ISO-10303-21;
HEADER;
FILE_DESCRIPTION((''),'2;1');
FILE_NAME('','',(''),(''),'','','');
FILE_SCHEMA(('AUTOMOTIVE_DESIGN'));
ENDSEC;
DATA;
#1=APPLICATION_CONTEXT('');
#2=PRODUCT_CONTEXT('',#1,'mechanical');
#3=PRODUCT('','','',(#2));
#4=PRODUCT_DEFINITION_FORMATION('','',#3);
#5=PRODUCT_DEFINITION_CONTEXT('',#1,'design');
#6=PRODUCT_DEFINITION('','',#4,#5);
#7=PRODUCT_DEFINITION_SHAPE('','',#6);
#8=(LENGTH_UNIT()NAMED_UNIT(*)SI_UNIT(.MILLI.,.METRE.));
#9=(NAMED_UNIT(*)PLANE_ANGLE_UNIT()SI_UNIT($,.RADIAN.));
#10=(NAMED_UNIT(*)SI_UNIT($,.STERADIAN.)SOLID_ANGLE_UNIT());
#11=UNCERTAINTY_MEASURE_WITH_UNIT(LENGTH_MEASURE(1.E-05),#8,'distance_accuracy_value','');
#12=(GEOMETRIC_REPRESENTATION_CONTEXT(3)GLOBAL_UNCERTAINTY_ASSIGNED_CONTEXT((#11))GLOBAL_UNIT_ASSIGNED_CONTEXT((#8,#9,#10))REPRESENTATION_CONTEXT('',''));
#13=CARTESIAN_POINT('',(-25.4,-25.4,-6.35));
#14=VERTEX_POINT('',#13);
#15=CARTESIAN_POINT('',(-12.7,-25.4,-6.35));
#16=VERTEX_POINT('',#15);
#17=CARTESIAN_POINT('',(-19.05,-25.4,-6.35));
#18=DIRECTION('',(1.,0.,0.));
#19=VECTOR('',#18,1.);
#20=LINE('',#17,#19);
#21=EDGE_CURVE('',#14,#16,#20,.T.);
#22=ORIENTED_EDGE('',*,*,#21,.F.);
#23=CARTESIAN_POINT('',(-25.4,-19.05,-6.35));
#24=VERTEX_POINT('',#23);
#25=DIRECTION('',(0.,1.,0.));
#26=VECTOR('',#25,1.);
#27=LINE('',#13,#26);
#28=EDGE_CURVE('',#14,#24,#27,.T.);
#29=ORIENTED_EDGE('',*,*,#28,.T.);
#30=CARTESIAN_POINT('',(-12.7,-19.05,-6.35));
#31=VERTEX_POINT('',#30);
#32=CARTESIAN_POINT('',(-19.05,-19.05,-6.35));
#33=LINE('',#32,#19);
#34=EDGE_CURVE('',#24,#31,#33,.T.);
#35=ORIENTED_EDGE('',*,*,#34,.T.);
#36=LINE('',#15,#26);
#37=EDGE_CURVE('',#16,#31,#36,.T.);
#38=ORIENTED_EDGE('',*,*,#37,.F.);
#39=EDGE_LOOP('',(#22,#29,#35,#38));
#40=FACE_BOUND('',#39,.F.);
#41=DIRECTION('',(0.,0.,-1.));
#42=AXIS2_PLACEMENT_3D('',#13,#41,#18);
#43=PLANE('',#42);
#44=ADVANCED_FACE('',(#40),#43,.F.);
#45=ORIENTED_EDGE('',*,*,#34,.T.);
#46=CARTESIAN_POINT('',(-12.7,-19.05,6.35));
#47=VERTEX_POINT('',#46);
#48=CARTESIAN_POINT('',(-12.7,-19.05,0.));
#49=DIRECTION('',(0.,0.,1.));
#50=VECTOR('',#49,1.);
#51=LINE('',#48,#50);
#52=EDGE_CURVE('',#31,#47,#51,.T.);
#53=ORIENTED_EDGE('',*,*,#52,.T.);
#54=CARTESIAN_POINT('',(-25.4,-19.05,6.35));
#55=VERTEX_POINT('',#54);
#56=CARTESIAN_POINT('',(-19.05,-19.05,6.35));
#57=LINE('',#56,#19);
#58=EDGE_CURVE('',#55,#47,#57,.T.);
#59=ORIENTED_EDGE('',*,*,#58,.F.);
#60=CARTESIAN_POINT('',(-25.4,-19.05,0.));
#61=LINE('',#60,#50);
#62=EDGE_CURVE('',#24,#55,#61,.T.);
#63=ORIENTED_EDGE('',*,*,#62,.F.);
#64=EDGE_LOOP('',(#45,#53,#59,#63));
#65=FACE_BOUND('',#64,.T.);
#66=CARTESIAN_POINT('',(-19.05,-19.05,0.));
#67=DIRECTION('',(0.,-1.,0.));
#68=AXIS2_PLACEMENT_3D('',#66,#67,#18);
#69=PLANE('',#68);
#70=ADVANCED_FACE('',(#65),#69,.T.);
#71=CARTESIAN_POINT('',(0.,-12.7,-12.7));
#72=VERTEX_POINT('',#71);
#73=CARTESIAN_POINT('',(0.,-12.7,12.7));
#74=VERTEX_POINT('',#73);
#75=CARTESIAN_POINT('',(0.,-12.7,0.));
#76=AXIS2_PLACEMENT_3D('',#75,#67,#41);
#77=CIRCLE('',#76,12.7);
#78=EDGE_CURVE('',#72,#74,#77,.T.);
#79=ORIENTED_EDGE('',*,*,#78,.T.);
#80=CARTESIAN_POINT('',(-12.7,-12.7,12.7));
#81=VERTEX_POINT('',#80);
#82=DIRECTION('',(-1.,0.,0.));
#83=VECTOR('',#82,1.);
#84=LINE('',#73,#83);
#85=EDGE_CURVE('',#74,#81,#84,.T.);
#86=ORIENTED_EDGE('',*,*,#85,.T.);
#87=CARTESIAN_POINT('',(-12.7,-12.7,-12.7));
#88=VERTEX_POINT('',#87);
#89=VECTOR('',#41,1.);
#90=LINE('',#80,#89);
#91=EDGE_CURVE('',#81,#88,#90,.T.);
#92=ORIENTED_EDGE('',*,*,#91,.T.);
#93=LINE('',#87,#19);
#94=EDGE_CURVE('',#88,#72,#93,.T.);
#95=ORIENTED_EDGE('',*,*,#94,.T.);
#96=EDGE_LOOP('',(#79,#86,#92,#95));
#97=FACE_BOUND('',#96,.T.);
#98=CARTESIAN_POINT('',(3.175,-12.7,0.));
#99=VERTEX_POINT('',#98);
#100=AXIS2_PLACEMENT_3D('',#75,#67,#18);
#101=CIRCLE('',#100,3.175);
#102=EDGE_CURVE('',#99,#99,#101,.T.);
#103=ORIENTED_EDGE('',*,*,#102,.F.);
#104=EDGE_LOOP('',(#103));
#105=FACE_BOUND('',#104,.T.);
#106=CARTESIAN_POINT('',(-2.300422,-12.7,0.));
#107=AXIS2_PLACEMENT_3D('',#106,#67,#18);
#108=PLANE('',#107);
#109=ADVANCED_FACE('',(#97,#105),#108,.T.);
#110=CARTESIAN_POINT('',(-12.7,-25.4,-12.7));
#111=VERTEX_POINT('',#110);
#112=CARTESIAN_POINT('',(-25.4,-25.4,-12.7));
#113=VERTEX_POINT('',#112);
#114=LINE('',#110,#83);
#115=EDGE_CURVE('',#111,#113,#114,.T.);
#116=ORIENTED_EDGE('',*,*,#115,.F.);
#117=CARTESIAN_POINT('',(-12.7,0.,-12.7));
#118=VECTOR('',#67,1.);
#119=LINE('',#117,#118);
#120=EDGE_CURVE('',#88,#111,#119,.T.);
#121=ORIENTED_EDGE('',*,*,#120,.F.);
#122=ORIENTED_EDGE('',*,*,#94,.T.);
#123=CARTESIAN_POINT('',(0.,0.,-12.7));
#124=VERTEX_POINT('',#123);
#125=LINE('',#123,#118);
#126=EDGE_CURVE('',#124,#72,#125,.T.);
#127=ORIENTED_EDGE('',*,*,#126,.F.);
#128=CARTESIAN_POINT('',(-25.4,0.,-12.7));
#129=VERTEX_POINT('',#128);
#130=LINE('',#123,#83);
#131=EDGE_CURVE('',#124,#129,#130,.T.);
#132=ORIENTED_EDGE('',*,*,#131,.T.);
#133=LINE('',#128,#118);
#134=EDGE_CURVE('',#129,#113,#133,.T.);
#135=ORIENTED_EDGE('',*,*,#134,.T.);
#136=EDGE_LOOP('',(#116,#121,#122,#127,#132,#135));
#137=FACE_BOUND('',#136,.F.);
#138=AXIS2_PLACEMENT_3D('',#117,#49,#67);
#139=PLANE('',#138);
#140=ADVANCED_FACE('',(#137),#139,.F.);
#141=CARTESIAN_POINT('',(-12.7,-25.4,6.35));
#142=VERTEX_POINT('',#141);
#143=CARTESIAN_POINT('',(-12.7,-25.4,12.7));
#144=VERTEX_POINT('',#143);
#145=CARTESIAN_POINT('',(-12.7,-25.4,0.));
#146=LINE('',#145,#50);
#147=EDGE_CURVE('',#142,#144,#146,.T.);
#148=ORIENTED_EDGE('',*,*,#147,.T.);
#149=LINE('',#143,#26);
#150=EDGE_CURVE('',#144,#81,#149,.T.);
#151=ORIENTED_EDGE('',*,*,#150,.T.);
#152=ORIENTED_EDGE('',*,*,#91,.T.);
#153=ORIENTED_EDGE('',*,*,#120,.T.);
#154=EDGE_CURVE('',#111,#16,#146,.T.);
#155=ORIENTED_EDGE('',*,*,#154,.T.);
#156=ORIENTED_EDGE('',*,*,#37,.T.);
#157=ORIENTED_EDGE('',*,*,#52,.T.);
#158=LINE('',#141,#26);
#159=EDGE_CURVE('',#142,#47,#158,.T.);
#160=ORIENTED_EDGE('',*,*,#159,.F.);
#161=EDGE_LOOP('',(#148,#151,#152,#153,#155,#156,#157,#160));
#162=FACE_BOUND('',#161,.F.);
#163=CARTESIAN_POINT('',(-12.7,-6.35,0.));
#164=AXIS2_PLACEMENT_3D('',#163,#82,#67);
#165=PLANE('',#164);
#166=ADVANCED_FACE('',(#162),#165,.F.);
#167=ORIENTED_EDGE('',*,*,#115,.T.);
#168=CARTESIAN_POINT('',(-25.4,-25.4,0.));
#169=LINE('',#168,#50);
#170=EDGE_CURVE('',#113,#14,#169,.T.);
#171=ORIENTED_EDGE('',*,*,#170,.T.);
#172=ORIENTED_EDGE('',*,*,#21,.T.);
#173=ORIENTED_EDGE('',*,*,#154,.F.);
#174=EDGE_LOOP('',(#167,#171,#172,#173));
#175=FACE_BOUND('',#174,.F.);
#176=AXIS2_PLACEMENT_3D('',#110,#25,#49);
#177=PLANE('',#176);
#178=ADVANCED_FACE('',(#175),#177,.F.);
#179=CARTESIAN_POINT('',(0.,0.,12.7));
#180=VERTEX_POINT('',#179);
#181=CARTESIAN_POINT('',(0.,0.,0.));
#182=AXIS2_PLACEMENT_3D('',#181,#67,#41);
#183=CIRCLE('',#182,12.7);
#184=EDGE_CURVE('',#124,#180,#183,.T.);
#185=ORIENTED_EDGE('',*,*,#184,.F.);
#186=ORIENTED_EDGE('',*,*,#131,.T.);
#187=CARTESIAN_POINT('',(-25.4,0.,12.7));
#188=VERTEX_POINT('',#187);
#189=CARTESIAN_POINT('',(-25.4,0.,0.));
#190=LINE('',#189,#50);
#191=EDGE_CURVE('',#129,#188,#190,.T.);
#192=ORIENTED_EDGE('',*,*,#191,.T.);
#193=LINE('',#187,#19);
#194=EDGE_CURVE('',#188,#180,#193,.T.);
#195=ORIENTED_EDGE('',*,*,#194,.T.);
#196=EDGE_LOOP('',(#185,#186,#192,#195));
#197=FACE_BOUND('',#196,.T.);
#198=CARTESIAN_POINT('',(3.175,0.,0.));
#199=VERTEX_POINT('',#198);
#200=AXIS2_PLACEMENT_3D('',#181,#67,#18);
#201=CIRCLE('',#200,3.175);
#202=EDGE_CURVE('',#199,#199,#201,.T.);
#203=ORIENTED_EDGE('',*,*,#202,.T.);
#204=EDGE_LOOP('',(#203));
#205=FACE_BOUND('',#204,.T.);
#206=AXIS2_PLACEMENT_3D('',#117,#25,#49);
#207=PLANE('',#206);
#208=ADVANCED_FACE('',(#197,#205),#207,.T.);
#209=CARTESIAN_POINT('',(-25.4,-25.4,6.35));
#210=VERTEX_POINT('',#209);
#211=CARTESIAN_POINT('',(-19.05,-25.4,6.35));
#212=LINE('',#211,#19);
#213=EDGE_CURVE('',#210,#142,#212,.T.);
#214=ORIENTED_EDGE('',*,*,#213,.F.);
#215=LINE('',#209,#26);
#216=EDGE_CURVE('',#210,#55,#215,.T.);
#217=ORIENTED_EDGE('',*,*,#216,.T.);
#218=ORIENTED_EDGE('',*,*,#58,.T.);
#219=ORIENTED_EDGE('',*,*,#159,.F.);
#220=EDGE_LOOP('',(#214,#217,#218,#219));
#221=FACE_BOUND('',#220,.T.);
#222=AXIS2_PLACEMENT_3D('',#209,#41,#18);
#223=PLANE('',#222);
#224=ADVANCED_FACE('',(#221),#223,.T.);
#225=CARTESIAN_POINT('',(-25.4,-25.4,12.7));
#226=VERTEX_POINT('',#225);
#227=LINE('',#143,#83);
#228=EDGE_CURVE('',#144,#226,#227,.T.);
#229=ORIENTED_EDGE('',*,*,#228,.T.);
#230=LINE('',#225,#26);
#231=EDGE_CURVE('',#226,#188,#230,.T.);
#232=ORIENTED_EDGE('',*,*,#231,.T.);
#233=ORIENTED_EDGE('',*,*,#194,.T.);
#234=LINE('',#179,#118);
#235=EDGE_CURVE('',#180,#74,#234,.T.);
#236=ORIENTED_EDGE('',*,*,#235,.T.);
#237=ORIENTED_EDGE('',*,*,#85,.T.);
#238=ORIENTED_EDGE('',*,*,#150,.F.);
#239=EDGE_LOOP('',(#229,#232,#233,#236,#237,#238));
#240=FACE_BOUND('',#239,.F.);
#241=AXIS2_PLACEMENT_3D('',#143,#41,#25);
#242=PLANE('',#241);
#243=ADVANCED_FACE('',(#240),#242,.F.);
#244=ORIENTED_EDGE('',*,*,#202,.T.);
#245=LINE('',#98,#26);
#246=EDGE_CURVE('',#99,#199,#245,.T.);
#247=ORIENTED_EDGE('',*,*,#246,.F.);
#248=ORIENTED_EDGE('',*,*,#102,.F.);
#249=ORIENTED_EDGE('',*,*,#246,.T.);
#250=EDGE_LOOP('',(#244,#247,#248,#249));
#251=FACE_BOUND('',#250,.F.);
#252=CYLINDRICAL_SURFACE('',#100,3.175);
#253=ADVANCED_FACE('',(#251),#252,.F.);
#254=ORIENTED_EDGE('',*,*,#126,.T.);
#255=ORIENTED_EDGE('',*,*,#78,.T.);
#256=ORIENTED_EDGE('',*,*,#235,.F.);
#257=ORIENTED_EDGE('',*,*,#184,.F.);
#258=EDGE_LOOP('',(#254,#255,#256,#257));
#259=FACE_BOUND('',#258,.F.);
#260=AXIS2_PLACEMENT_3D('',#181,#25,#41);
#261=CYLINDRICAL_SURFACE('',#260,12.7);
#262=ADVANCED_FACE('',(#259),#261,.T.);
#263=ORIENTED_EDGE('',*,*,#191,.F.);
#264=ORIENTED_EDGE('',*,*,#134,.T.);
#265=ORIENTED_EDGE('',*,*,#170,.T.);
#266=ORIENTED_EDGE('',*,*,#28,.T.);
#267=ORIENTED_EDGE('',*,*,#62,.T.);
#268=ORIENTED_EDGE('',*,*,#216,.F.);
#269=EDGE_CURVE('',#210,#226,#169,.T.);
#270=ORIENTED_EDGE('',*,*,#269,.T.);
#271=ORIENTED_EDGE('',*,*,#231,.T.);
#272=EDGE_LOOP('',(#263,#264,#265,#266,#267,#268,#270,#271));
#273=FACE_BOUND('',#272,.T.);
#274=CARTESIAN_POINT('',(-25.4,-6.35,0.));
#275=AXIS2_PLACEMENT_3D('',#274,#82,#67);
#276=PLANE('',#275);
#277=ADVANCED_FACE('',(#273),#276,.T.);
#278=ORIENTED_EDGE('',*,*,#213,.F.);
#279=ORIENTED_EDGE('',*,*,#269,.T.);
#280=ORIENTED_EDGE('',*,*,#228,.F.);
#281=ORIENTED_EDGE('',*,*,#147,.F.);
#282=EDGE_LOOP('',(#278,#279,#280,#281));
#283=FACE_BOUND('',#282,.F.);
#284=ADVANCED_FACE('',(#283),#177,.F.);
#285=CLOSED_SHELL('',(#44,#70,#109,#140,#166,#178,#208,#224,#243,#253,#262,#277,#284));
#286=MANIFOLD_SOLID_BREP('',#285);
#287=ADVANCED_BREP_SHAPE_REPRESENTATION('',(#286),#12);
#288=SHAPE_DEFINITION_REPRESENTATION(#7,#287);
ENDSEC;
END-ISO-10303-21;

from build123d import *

# Parameters (mm, degrees)
F1_DEPTH = 12.7
F2_R     = 3.175
F3_DEPTH = 25.4
F4_W     = 12.7
F4_H     = 25.4
F5_DEPTH = 12.7
F6_W     = 12.7
F6_H     = 12.7
F7_DEPTH = 6.35


with BuildPart() as f1:
    # F0 (on Front) → F1 (new body)
    with BuildSketch(Plane.XZ):
        with BuildLine():
            Line((-12.7, -12.7), (0, -12.7))
            ThreePointArc((0, -12.7), (12.7, 0), (0, 12.7))
            Line((0, 12.7), (-12.7, 12.7))
            Line((-12.7, 12.7), (-12.7, -12.7))
        make_face()
    extrude(amount=F1_DEPTH)

    # F2 (on face) → F3 (cut)
    with BuildSketch(Plane.XZ.offset(12.7)):
        Circle(F2_R)
    extrude(amount=-F3_DEPTH, mode=Mode.SUBTRACT)

    # F4 (on face) → F5 (join)
    with BuildSketch(Plane(origin=(-12.7, 0, 0), x_dir=(0, -1, 0), z_dir=(-1, 0, 0))):
        with Locations((6.35, 0)):
            Rectangle(F4_W, F4_H)
        with Locations((19.05, 0)):
            Rectangle(F4_W, F4_H)
    extrude(amount=F5_DEPTH)

    # F6 (on face) → F7 (cut)
    with BuildSketch(Plane.XZ.offset(25.4)):
        with Locations((-19.05, 0)):
            Rectangle(F6_W, F6_H)
    extrude(amount=-F7_DEPTH, mode=Mode.SUBTRACT)


solid = f1.part
